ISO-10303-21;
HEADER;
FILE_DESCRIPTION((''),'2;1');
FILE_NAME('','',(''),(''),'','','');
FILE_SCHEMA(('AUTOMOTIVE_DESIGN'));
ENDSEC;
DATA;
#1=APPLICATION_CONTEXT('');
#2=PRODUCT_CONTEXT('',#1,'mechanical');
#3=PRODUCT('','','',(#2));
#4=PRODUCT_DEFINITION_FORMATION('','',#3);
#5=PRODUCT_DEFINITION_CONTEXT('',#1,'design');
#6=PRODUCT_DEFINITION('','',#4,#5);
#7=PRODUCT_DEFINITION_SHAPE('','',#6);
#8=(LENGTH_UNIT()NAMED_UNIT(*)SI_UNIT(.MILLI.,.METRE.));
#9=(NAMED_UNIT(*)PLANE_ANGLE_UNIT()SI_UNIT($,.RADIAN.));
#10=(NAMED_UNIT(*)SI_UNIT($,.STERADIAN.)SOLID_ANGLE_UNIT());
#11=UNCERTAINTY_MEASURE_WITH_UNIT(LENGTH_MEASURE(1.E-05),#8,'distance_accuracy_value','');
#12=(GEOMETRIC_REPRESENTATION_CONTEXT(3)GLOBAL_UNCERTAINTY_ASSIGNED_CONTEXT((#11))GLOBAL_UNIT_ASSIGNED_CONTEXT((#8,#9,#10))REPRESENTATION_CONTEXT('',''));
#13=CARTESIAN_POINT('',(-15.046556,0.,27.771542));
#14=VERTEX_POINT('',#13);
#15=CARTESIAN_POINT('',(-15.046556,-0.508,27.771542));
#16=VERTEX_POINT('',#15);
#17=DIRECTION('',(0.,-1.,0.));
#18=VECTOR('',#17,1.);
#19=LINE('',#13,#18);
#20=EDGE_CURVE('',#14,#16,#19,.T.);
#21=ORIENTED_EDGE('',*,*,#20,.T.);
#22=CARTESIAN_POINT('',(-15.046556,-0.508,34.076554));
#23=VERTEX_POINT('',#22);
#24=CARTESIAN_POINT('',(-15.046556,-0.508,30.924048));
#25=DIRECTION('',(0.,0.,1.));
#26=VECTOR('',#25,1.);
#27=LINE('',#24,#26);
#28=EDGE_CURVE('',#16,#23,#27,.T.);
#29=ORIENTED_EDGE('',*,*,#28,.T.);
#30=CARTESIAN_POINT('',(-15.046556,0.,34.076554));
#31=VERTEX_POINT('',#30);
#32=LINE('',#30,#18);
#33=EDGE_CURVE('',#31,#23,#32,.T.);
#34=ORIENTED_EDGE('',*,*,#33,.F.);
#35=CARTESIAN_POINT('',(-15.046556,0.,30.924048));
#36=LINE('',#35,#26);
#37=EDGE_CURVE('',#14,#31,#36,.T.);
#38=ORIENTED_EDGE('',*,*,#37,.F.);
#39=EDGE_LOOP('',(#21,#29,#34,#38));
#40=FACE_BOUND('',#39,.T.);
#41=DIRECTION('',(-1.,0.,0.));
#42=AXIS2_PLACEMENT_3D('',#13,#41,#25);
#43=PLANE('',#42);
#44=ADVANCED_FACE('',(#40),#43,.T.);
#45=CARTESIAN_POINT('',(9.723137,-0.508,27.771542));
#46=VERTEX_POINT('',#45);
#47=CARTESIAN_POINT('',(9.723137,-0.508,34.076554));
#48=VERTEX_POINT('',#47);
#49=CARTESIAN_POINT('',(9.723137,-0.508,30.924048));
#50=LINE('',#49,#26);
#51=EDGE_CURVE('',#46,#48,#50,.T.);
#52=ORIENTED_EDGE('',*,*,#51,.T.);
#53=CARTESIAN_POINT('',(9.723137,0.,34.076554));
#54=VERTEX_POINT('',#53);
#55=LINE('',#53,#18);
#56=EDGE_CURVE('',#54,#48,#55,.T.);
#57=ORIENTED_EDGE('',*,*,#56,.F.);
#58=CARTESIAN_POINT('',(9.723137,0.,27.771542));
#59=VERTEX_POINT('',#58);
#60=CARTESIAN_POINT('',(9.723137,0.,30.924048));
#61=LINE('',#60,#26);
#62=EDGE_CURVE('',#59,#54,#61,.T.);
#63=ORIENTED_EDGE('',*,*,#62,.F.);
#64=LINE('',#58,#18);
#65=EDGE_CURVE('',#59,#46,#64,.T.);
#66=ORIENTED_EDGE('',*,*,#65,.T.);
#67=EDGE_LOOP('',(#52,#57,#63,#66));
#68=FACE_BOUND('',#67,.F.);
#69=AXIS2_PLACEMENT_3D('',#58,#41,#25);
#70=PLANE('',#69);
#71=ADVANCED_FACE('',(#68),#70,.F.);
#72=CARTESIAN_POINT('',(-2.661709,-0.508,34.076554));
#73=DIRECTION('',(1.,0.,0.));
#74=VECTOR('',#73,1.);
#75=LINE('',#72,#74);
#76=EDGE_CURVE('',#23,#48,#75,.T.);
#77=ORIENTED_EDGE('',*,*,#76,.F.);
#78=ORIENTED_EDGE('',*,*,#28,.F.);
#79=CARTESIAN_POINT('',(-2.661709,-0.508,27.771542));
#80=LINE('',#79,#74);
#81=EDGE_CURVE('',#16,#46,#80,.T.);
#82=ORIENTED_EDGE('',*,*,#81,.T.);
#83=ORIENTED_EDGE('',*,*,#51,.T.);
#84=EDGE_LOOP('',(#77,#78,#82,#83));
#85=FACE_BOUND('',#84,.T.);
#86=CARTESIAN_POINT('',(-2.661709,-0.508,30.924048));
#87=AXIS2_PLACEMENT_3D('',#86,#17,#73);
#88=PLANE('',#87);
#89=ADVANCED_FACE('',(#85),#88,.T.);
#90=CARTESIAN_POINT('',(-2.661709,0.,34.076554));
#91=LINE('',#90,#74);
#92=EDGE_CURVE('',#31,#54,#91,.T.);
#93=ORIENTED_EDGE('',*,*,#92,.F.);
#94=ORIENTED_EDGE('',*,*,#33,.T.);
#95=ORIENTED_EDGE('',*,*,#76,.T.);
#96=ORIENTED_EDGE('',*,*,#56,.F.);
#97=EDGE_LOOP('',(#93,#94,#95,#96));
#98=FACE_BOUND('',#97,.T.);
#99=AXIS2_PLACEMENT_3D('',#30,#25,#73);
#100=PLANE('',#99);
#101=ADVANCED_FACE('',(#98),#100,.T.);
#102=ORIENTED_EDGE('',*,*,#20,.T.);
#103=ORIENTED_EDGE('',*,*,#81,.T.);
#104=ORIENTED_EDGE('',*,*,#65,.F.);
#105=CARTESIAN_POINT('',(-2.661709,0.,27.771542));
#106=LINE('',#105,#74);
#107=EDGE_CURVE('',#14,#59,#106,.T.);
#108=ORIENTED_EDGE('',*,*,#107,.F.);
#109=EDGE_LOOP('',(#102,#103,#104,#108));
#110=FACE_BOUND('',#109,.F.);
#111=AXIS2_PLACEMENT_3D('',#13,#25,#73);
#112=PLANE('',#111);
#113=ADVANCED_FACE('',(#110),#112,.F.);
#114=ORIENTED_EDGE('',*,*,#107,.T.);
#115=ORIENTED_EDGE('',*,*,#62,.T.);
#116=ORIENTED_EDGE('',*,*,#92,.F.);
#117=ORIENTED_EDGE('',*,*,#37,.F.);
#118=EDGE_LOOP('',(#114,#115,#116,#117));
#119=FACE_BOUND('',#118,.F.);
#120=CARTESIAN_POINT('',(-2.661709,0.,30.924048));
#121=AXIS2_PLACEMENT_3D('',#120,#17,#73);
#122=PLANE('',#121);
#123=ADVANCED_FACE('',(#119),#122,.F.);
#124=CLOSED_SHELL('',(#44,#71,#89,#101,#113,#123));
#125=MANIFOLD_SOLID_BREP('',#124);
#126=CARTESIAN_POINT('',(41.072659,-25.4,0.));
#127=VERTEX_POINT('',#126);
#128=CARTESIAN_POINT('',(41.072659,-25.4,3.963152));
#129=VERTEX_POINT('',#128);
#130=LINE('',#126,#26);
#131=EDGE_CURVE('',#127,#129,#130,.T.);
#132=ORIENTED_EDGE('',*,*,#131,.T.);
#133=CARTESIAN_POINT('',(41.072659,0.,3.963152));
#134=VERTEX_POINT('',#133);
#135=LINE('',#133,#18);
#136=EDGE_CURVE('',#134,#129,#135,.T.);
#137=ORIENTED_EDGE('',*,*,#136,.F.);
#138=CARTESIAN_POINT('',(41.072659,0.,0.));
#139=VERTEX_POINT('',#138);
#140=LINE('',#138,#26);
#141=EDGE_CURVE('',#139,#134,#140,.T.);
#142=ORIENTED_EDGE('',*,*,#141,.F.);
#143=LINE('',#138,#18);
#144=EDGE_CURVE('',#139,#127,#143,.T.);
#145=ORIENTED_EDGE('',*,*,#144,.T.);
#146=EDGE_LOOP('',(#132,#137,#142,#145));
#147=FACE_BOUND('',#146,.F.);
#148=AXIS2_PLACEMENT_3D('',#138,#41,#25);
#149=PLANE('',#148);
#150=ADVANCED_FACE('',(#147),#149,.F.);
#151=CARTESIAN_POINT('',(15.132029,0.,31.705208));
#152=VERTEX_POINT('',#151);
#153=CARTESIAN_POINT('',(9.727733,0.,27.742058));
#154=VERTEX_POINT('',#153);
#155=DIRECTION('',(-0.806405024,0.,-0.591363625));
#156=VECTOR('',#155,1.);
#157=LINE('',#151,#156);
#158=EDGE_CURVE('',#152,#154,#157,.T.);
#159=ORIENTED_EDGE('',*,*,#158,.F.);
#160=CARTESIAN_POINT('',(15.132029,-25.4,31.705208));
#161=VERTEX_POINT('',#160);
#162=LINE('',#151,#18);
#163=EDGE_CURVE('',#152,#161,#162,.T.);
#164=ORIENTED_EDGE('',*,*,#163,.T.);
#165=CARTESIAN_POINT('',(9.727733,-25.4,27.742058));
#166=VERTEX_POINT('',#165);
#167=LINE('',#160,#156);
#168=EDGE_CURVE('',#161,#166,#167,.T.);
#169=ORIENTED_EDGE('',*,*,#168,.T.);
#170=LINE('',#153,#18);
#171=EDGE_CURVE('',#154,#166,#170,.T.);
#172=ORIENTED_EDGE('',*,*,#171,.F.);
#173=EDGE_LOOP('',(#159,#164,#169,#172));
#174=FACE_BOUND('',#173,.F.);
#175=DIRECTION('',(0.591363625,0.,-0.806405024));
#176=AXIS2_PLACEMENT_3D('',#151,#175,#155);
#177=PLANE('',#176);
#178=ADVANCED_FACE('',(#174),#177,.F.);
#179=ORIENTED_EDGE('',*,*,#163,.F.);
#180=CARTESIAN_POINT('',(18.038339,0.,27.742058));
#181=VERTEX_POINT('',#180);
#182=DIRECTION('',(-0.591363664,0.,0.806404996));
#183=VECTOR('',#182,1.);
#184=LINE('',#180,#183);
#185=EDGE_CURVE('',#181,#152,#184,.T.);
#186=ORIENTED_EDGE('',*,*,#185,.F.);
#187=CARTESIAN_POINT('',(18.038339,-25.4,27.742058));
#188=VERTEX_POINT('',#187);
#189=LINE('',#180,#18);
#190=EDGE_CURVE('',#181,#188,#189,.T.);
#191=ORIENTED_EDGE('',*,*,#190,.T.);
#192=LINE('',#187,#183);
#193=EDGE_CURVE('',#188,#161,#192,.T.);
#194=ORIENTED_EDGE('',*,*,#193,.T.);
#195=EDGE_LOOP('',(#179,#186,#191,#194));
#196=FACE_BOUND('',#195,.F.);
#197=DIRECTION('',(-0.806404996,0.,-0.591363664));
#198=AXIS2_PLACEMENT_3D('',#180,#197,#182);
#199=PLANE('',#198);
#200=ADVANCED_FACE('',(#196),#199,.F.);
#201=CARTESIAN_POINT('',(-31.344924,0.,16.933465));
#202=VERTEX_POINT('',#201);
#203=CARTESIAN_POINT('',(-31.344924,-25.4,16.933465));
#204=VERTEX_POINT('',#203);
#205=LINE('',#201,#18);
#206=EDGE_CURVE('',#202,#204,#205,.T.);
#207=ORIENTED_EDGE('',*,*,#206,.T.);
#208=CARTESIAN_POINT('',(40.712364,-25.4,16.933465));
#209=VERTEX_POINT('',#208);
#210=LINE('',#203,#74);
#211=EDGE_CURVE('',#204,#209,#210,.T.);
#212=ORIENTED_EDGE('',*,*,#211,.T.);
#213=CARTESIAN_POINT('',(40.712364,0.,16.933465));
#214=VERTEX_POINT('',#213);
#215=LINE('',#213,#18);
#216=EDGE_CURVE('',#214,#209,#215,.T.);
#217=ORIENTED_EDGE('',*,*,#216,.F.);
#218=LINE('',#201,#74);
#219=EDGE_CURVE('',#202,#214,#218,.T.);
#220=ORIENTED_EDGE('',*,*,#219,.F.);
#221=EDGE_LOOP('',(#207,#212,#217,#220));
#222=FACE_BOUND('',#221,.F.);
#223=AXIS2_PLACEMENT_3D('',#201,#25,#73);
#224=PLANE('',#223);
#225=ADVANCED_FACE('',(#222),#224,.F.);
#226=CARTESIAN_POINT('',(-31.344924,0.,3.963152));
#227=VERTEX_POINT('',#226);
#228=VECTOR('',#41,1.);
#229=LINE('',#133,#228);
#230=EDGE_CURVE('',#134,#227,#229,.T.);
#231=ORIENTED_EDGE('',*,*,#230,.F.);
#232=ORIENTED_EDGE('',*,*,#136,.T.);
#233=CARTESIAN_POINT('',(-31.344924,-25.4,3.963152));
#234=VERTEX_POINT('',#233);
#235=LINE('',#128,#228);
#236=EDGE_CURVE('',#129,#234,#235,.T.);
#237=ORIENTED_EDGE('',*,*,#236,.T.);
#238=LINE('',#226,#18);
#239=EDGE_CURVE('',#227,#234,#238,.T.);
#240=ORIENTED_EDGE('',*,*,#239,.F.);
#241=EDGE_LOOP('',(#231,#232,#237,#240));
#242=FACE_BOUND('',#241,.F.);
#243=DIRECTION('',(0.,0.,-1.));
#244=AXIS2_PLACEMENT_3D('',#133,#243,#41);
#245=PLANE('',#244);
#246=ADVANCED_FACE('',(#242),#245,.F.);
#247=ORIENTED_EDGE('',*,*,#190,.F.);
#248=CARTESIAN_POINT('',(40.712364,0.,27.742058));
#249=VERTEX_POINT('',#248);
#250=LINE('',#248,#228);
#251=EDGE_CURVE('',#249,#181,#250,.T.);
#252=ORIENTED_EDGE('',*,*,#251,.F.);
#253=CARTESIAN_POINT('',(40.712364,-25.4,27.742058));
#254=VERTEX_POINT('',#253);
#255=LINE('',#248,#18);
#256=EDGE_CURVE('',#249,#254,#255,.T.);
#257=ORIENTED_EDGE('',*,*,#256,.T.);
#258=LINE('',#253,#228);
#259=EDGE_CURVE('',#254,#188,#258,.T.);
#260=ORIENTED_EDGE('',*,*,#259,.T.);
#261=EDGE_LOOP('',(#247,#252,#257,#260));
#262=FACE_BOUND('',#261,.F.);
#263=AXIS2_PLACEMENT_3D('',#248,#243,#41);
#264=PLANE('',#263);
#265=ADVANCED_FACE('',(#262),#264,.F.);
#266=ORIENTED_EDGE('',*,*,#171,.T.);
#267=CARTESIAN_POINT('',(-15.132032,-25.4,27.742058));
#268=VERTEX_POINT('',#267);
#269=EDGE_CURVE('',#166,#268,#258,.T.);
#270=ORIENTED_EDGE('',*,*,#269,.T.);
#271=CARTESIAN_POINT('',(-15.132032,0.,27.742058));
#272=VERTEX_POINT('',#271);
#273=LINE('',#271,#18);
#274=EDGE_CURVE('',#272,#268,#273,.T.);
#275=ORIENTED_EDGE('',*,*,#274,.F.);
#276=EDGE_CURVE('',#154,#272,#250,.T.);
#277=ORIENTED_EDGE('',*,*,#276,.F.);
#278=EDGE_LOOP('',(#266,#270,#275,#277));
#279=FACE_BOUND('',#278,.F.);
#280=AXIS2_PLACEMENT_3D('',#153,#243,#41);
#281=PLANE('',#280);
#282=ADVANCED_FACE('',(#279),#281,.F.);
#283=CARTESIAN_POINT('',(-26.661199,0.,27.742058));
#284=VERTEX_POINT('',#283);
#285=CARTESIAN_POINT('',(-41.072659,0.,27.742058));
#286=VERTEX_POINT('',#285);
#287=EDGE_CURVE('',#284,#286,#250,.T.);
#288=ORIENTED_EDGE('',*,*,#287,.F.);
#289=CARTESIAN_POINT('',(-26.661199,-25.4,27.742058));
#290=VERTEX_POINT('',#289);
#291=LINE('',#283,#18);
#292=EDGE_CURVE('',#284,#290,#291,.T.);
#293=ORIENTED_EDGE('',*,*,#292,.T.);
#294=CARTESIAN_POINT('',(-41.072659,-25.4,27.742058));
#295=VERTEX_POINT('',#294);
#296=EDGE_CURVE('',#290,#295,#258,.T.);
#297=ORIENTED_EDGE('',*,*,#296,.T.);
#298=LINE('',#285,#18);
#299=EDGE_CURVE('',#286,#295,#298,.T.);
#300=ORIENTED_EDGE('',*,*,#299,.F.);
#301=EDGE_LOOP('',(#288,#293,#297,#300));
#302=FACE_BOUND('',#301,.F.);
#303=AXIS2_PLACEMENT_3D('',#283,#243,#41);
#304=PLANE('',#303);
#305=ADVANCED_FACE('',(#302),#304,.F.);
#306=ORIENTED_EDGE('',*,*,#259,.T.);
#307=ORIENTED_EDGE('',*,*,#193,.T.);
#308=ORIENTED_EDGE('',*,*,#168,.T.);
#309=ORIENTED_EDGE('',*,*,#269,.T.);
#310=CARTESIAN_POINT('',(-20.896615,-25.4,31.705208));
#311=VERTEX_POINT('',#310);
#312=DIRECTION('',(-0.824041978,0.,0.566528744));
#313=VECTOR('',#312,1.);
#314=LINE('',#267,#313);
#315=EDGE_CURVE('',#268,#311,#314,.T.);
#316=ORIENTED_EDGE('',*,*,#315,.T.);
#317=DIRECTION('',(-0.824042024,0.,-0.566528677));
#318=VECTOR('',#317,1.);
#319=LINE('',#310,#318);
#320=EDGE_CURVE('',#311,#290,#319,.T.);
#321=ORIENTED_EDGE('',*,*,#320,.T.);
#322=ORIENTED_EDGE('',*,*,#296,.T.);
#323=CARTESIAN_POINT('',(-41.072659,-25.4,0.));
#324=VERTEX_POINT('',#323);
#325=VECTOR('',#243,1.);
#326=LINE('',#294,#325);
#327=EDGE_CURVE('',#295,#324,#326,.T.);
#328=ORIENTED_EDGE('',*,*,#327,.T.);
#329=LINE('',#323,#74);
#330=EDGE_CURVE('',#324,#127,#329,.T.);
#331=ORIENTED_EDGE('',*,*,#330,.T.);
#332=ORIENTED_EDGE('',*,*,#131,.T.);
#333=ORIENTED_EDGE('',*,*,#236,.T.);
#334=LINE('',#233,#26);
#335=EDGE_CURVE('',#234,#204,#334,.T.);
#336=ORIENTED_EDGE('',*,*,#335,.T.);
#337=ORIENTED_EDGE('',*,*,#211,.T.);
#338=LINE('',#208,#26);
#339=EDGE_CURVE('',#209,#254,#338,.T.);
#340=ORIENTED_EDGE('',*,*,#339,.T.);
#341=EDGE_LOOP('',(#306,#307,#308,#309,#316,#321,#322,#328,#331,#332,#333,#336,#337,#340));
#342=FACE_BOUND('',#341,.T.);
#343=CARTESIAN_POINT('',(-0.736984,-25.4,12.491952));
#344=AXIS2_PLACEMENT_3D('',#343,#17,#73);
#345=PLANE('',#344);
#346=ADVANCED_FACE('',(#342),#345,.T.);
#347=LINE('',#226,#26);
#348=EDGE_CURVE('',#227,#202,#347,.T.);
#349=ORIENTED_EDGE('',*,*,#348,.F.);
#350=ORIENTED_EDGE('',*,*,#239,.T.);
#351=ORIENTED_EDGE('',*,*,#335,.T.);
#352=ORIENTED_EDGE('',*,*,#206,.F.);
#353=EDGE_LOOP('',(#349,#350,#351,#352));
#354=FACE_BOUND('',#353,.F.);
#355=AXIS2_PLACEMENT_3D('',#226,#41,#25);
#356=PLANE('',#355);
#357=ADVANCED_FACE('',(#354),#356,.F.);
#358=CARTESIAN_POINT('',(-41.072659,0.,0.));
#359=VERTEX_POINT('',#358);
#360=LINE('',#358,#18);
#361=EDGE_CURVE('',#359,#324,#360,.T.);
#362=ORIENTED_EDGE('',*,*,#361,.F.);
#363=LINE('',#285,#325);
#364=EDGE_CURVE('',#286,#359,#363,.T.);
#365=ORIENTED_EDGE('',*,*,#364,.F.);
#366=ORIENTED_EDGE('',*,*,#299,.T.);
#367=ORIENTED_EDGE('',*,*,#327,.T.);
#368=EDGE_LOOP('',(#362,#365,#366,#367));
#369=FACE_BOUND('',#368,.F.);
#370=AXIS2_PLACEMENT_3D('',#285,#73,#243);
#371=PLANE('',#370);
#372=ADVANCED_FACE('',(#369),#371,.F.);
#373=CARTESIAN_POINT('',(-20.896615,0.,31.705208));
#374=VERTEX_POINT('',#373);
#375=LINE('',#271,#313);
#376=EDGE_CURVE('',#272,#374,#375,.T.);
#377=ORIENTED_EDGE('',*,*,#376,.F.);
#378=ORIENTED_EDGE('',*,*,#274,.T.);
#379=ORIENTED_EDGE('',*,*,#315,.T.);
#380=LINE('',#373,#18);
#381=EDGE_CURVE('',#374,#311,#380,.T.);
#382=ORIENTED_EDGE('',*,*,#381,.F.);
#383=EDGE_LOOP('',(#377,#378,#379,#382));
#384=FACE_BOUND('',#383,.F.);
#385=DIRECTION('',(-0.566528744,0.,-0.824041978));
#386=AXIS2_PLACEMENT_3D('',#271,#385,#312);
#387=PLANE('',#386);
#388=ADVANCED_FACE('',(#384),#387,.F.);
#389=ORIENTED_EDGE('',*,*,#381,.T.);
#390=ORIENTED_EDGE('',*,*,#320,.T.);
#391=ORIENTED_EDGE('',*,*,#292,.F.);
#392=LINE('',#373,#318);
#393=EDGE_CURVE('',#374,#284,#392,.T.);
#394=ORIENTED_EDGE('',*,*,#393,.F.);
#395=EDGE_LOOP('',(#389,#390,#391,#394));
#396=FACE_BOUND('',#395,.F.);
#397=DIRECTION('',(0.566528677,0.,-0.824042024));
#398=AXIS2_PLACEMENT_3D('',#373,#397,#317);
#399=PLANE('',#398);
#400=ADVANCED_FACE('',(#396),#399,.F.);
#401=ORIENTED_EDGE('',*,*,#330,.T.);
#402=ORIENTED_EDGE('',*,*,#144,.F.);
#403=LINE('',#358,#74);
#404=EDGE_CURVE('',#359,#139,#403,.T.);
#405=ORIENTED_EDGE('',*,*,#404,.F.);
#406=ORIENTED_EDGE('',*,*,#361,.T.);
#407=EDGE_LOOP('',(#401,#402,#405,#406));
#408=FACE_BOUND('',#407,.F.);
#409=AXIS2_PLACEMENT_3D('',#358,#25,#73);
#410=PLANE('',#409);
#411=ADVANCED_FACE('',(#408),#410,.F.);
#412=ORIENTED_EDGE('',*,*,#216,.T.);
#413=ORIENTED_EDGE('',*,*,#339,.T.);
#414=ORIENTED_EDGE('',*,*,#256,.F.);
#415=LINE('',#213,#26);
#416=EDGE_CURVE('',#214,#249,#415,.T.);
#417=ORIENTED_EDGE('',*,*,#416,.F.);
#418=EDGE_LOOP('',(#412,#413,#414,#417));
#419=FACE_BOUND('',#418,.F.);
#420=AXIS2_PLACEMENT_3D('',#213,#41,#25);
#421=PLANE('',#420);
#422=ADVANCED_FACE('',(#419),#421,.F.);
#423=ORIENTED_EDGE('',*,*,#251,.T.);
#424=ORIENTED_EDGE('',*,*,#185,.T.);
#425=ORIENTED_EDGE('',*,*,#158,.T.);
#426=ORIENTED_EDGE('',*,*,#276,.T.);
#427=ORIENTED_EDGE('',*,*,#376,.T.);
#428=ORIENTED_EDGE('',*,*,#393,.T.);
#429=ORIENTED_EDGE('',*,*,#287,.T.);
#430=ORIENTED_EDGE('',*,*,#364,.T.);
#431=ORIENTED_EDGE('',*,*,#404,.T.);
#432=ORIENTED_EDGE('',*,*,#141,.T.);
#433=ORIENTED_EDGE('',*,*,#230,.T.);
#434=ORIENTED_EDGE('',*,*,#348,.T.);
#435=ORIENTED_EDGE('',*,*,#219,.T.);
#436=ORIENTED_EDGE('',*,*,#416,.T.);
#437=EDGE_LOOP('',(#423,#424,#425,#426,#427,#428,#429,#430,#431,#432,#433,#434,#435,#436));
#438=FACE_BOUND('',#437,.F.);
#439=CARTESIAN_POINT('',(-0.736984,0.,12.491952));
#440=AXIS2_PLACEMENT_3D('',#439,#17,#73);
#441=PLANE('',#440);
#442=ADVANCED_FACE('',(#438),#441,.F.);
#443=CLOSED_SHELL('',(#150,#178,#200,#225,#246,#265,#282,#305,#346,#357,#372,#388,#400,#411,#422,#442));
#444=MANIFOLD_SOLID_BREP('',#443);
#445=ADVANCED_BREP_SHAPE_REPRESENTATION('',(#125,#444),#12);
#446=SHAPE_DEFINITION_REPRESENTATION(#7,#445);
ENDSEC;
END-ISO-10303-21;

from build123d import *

# Parameters (mm, degrees)
F1_DEPTH = 25.4
F2_W     = 24.769693
F2_H     = 6.305011
F3_DEPTH = 0.508


with BuildPart() as f1:
    # F0 (on Front) → F1 (new body)
    with BuildSketch(Plane.XZ):
        Polygon((-41.072659, 27.742058), (-41.072659, 0), (41.072659, 0), (41.072659, 3.963152), (-31.344924, 3.963152), (-31.344924, 16.933465), (40.712364, 16.933465), (40.712364, 27.742058), (18.038339, 27.742058), (9.727733, 27.742058), (-15.132032, 27.742058), (-26.661199, 27.742058), align=None)
        Polygon((-20.896615, 31.705208), (-26.661199, 27.742058), (-15.132032, 27.742058), align=None)
        Polygon((15.132029, 31.705208), (9.727733, 27.742058), (18.038339, 27.742058), align=None)
    extrude(amount=F1_DEPTH)


with BuildPart() as f3:
    # F2 (on Front) → F3 (new body)
    with BuildSketch(Plane.XZ):
        with Locations((-2.661709, 30.924048)):
            Rectangle(F2_W, F2_H)
    extrude(amount=F3_DEPTH)


solid = Compound([f1.part, f3.part])
